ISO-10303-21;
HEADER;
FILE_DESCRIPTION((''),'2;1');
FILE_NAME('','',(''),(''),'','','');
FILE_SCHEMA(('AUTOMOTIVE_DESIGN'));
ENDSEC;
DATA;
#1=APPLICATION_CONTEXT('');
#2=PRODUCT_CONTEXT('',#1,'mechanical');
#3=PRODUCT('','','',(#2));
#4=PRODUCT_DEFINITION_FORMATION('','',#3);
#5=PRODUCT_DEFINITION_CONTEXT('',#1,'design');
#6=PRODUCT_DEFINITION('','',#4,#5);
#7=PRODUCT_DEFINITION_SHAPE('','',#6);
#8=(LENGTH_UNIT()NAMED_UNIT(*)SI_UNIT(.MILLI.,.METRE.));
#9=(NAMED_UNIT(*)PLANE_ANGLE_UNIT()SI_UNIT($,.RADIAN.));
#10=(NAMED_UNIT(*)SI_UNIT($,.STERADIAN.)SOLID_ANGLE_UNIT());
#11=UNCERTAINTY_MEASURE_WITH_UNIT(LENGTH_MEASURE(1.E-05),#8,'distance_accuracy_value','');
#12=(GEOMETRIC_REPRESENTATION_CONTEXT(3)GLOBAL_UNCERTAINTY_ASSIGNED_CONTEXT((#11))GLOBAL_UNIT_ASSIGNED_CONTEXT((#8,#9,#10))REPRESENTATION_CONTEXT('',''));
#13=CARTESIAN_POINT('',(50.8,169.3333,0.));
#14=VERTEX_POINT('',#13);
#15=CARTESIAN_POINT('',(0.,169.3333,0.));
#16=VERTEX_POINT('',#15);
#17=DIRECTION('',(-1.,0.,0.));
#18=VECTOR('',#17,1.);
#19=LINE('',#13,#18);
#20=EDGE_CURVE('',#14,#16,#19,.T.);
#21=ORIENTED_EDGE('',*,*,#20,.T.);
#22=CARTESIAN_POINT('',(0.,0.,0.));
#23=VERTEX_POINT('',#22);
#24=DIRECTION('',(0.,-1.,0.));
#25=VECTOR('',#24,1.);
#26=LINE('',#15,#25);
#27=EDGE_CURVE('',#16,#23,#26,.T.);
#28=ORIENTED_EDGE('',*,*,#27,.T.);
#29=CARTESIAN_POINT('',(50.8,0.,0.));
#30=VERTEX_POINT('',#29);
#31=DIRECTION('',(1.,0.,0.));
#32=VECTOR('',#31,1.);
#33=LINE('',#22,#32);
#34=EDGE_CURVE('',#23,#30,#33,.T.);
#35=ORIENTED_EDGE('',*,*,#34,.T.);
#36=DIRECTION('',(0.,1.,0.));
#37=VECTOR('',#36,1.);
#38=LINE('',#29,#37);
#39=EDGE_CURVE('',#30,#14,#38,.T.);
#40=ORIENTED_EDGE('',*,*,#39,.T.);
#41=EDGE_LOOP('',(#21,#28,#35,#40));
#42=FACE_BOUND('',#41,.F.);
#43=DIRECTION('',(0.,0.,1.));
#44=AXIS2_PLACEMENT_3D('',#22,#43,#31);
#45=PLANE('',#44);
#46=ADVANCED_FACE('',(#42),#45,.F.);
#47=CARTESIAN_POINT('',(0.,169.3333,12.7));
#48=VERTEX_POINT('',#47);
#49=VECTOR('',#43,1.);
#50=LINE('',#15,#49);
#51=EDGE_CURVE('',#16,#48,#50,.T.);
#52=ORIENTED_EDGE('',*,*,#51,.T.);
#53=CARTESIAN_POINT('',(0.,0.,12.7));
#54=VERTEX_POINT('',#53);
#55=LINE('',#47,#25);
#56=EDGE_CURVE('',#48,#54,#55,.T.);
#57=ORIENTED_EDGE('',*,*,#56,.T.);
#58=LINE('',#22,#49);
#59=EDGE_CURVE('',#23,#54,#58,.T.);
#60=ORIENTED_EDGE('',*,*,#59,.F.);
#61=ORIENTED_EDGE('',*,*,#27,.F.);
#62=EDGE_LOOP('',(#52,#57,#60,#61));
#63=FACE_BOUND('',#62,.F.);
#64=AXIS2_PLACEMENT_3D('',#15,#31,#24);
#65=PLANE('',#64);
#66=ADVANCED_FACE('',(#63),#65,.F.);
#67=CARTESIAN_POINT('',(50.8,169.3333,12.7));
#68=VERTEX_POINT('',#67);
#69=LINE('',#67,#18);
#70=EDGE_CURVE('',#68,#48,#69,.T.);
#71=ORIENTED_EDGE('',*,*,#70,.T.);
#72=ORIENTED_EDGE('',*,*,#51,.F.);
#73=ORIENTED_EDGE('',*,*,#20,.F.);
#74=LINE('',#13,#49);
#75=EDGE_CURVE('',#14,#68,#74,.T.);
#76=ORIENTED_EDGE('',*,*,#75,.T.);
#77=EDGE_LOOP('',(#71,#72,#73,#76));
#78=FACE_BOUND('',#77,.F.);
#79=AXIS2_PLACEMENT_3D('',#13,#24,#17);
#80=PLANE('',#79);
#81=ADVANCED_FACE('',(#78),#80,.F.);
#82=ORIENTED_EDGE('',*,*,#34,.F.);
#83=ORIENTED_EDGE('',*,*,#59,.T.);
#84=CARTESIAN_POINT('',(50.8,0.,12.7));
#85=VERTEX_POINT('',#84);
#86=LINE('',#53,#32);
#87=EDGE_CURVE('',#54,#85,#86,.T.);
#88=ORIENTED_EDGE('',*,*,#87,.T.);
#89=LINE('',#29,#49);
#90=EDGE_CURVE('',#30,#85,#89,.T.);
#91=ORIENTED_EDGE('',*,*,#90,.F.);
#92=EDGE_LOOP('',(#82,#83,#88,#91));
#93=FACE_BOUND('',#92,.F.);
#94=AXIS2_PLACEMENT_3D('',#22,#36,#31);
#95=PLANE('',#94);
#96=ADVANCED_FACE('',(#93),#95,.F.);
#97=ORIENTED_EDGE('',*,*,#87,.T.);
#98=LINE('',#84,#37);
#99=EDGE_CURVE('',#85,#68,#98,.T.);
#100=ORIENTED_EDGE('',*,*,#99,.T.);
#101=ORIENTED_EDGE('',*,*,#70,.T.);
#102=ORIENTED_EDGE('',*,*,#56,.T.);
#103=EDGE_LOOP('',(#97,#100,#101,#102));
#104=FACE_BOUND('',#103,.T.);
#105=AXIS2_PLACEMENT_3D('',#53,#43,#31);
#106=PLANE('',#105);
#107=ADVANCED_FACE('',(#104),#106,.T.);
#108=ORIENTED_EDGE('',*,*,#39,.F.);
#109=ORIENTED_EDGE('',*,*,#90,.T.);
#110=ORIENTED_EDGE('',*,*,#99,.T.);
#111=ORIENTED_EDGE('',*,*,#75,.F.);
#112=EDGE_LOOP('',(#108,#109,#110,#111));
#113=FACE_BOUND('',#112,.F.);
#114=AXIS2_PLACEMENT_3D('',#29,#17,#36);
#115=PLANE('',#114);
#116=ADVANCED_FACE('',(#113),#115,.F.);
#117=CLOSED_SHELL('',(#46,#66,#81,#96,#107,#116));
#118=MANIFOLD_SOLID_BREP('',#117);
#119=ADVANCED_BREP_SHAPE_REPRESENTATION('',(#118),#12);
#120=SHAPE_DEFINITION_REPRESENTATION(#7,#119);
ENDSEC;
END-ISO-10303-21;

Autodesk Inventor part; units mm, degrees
ref_plane "YZ Plane" through (0, 0, 0) normal (1, 0, 0) x (0, 1, 0)
ref_plane "XZ Plane" through (0, 0, 0) normal (0, 1, 0) x (-1, 0, 0)
ref_plane "XY Plane" through (0, 0, 0) normal (0, 0, 1) x (1, 0, 0)
sketch "Sketch1" plane through (0, 0, 0) normal (0, 0, 1) x (1, 0, 0)
  line L0 (0, 0) -> (50.8, 0)
  line L1 (50.8, 0) -> (50.8, 169.3333)
  line L2 (50.8, 169.3333) -> (0, 169.3333)
  line L3 (0, 169.3333) -> (0, 0)
  dimension "d0" = 50.8
  dimension "d1" = 169.3333
extrude "door half" add sketch "Sketch1" along normal blind 12.7
properties part number "double door"
